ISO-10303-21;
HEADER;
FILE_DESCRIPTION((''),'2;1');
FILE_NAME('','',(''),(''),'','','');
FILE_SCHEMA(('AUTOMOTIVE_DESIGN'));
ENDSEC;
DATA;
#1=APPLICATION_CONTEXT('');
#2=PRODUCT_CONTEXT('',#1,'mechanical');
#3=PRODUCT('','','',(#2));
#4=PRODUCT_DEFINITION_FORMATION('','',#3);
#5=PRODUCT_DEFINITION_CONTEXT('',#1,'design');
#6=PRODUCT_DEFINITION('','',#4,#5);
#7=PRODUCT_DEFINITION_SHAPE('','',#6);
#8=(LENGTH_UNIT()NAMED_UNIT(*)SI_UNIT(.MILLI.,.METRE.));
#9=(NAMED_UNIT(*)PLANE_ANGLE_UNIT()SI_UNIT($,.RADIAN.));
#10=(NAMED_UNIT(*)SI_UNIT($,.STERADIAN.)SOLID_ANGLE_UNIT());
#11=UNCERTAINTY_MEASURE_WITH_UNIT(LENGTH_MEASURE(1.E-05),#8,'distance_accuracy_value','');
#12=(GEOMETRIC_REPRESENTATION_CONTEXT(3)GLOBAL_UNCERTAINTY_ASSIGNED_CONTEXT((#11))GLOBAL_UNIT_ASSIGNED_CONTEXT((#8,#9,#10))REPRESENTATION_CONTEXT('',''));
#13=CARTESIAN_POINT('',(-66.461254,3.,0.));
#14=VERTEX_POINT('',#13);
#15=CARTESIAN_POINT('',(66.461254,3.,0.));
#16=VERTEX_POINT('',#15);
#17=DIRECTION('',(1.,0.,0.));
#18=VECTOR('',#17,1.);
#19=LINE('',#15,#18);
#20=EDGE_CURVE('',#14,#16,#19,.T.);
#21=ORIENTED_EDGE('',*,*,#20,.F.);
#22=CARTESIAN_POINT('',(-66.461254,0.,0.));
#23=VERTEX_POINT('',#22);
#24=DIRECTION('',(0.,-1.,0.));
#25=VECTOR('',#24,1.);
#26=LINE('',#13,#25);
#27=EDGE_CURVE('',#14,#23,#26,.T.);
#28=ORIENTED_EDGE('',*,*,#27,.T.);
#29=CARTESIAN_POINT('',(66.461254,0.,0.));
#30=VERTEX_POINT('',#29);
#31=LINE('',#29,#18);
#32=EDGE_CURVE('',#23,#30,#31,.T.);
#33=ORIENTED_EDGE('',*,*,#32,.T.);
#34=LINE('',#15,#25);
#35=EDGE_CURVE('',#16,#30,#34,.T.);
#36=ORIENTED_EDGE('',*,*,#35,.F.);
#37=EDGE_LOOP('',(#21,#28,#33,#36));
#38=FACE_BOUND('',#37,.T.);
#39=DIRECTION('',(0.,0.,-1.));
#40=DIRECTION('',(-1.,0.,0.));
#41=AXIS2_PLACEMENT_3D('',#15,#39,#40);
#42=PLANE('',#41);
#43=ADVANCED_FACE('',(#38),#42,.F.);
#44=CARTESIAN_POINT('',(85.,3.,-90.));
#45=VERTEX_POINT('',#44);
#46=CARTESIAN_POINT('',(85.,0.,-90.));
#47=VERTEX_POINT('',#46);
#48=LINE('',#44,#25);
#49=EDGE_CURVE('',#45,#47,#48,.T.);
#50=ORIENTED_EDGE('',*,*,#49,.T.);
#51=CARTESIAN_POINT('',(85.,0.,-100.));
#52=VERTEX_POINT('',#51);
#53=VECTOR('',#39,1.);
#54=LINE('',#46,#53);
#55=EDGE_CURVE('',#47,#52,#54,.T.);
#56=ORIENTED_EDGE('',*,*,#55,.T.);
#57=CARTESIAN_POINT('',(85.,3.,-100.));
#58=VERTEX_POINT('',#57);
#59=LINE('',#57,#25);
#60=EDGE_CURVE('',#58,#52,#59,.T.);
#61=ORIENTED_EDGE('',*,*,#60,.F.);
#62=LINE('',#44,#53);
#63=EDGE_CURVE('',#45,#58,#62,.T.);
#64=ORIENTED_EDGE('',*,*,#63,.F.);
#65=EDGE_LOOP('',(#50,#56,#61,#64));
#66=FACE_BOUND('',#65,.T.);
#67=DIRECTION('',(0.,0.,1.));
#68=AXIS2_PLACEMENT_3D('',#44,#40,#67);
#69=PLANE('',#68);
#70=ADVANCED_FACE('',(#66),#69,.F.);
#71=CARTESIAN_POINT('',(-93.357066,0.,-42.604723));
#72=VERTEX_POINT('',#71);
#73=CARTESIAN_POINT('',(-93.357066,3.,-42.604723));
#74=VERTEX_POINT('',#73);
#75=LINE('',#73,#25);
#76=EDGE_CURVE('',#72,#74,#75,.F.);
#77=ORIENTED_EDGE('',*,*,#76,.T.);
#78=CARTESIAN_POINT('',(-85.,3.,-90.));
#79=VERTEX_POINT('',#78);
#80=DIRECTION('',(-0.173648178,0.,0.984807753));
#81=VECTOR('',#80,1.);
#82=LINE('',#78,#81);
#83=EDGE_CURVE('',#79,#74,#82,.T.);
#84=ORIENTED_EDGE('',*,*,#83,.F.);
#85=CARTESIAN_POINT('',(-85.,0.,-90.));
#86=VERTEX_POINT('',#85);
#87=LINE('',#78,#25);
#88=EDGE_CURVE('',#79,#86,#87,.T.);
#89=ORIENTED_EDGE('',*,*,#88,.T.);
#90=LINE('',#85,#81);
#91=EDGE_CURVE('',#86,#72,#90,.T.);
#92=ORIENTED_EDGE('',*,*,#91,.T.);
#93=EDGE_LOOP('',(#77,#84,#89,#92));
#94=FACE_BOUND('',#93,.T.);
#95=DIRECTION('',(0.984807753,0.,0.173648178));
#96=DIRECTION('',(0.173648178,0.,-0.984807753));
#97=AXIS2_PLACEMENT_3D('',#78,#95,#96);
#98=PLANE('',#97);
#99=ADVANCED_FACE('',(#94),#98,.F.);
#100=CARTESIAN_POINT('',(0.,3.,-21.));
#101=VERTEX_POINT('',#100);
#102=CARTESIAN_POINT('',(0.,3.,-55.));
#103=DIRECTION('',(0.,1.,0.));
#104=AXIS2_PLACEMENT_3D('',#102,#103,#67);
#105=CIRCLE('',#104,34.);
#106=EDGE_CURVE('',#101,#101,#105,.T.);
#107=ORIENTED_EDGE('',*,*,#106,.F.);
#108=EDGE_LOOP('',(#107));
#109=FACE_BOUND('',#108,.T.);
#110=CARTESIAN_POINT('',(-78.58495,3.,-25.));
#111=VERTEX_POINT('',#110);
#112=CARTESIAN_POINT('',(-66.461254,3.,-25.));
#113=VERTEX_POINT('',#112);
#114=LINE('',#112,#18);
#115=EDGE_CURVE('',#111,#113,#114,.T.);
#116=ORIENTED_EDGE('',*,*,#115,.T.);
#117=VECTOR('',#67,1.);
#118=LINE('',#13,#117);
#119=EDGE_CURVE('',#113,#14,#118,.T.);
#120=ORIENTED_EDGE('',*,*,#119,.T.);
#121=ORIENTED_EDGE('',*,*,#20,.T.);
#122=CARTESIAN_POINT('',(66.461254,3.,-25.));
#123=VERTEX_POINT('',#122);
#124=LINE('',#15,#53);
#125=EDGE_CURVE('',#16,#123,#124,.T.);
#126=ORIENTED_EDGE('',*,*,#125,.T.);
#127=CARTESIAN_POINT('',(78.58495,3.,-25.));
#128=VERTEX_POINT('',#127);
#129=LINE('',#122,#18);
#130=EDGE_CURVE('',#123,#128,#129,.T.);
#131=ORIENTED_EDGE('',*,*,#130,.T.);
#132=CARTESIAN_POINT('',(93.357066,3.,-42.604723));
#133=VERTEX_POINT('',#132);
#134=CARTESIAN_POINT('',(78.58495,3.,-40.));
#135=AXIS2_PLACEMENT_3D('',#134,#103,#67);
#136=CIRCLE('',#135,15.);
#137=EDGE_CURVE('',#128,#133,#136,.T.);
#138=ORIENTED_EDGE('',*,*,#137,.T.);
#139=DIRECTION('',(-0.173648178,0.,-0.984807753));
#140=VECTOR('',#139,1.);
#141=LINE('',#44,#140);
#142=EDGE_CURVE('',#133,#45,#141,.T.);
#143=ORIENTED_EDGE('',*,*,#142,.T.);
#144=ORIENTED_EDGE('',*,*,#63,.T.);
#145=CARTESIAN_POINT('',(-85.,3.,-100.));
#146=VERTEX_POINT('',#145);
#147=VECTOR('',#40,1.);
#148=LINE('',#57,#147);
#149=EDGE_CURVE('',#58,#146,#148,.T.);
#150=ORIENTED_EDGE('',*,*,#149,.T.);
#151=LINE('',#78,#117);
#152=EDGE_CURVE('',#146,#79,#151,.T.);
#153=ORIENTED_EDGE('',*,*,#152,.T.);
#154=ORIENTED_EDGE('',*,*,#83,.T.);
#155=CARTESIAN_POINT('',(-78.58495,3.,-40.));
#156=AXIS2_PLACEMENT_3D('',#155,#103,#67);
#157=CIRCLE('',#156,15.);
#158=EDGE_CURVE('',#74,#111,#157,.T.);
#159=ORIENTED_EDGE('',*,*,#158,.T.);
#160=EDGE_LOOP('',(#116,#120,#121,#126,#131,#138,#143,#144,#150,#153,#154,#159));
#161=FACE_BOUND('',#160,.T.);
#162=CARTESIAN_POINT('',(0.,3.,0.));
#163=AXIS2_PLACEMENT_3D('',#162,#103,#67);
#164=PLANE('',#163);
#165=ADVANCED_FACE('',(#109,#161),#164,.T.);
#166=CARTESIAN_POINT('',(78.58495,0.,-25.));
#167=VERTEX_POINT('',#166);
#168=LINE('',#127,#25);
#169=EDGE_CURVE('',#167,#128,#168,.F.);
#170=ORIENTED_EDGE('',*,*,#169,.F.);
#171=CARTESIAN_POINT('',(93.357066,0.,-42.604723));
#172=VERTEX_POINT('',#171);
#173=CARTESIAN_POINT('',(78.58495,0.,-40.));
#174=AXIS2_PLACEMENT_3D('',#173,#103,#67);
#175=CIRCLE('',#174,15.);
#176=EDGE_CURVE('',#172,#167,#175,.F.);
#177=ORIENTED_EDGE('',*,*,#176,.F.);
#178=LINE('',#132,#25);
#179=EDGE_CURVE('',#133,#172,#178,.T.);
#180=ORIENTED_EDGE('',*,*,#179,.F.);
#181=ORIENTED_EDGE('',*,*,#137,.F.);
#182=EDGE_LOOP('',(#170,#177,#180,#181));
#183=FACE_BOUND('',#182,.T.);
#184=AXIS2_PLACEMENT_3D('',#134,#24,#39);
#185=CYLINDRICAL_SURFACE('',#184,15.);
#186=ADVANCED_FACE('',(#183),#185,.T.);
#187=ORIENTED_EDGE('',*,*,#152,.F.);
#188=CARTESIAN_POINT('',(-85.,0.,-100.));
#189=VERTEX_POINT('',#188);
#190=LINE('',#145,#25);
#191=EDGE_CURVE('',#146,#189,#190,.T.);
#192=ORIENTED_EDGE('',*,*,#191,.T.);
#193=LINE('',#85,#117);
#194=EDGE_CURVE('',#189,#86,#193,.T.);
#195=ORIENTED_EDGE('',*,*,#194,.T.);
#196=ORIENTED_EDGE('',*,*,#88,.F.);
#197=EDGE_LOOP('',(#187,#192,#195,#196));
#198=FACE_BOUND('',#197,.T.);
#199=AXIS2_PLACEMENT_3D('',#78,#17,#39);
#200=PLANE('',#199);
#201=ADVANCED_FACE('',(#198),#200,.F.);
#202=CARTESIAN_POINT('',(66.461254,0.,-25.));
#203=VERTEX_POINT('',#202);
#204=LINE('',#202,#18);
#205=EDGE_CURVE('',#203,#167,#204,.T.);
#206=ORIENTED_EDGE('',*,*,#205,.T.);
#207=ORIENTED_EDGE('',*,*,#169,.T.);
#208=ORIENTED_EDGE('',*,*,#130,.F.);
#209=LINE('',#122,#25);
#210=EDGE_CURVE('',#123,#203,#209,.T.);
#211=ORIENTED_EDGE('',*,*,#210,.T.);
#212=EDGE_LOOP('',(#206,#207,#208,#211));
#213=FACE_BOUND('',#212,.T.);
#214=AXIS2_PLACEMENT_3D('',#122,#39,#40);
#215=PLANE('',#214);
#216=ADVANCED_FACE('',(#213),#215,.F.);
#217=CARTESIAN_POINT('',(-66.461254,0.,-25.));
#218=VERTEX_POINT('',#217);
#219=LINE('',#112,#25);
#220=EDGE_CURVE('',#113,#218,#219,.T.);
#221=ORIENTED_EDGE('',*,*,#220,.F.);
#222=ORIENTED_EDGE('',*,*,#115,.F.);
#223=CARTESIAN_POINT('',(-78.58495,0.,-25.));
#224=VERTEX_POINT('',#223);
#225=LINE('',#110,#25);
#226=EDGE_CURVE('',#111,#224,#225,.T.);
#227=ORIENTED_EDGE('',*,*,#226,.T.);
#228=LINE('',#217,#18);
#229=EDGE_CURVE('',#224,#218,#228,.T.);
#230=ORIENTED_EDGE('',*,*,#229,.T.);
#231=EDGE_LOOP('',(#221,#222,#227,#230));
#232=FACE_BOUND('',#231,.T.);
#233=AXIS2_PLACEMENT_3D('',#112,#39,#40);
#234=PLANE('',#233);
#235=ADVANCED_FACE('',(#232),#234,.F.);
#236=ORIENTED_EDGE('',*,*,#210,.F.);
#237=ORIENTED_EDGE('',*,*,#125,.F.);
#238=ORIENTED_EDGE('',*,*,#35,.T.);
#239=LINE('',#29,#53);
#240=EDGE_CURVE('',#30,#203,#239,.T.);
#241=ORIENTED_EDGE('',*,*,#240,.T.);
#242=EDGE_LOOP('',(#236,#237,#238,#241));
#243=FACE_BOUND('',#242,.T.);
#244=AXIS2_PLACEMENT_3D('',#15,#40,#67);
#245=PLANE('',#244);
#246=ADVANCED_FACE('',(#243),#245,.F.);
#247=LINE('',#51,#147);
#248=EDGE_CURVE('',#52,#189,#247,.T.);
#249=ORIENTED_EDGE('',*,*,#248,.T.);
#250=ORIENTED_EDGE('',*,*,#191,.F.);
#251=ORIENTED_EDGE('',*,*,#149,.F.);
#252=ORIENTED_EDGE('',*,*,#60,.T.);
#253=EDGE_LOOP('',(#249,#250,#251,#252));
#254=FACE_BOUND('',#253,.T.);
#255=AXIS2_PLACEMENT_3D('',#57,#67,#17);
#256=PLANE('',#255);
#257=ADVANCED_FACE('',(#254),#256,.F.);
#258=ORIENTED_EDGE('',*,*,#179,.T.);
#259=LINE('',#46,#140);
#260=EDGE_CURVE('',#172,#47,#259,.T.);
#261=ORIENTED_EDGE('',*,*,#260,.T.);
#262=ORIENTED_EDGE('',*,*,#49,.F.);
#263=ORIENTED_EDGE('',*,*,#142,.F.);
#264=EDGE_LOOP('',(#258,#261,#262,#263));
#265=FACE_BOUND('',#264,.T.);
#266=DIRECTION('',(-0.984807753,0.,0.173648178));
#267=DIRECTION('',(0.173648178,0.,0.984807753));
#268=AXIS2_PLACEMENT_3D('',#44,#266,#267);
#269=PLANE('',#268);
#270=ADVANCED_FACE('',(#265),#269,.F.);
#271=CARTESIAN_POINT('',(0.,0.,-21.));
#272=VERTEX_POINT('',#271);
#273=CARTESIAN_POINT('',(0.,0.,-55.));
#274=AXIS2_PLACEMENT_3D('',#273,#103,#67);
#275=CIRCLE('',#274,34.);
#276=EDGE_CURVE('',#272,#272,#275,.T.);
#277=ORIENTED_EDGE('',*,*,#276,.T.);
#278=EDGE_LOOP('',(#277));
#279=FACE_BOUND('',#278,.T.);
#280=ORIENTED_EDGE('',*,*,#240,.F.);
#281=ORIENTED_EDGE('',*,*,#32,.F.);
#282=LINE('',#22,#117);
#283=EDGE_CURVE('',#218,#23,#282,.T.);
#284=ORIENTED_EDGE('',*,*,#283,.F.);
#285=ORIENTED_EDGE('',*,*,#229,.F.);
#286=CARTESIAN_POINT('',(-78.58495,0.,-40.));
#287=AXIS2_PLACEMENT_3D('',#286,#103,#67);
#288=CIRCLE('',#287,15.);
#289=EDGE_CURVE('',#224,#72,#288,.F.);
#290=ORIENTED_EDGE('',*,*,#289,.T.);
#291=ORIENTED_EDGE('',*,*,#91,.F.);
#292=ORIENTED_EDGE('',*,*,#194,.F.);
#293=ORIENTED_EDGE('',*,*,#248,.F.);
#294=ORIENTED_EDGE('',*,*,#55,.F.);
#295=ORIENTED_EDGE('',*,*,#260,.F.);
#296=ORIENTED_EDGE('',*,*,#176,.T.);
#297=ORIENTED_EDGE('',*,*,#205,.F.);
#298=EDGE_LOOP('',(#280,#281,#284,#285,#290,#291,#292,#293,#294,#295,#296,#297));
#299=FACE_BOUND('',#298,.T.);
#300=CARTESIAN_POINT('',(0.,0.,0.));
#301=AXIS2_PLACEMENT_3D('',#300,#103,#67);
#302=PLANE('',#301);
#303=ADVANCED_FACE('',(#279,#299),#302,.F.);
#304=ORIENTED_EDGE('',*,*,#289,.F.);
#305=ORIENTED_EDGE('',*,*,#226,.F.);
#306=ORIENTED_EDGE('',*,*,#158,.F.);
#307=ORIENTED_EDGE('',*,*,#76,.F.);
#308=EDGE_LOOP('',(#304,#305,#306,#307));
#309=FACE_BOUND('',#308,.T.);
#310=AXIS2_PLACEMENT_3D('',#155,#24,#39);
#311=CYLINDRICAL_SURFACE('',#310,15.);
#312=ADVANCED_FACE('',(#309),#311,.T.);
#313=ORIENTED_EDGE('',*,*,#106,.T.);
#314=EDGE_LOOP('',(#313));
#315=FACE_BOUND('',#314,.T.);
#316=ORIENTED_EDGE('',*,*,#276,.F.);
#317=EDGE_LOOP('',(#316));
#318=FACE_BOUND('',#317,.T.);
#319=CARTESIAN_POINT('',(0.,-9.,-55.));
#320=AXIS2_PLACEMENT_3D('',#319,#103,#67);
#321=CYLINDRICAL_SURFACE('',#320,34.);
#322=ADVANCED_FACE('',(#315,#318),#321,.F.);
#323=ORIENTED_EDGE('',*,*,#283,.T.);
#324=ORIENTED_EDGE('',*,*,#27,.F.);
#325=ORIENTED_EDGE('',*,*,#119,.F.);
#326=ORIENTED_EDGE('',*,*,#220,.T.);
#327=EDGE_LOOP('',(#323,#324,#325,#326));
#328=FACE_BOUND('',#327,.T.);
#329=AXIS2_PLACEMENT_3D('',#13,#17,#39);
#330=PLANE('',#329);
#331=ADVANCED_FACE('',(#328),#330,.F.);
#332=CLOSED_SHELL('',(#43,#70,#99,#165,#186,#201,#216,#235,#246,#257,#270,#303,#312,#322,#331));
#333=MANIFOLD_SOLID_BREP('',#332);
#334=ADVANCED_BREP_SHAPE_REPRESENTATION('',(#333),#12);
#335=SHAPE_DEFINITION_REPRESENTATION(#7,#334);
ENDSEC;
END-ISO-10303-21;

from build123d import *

# Parameters (mm, degrees)
BOSS_EXTRUDE1_DEPTH = 3
SKETCH2_R           = 34
CUT_EXTRUDE2_DEPTH  = 12
FILLET1_R           = 15


with BuildPart() as part:
    # Sketch1 → Boss-Extrude1 (new body)
    with BuildSketch(Plane(origin=(0, 0, 0), x_dir=(1, 0, 0), z_dir=(0, 1, 0))):
        Polygon((85, 90), (85, 100), (-85, 100), (-85, 90), (-96.461253746, 25), (-66.461253746, 25), (-66.461253746, 0), (66.461253746, 0), (66.461253746, 25), (96.461253746, 25), align=None)
    extrude(amount=BOSS_EXTRUDE1_DEPTH)

    # Sketch2 → Cut-Extrude2 (cut)
    with BuildSketch(Plane(origin=(0, 3, 0), x_dir=(1, 0, 0), z_dir=(0, 1, 0))):
        with Locations(Location((0, 55, 0), (0, 0, 270))):
            Circle(SKETCH2_R)
    extrude(amount=-CUT_EXTRUDE2_DEPTH, mode=Mode.SUBTRACT)

    # Fillet1
    fillet1_edges = [part.edges().sort_by_distance(p)[0] for p in [
        (-96.461253746, 1.5, -25),
        (96.461253746, 1.5, -25),
    ]]
    fillet(fillet1_edges, radius=FILLET1_R)


solid = part.part
